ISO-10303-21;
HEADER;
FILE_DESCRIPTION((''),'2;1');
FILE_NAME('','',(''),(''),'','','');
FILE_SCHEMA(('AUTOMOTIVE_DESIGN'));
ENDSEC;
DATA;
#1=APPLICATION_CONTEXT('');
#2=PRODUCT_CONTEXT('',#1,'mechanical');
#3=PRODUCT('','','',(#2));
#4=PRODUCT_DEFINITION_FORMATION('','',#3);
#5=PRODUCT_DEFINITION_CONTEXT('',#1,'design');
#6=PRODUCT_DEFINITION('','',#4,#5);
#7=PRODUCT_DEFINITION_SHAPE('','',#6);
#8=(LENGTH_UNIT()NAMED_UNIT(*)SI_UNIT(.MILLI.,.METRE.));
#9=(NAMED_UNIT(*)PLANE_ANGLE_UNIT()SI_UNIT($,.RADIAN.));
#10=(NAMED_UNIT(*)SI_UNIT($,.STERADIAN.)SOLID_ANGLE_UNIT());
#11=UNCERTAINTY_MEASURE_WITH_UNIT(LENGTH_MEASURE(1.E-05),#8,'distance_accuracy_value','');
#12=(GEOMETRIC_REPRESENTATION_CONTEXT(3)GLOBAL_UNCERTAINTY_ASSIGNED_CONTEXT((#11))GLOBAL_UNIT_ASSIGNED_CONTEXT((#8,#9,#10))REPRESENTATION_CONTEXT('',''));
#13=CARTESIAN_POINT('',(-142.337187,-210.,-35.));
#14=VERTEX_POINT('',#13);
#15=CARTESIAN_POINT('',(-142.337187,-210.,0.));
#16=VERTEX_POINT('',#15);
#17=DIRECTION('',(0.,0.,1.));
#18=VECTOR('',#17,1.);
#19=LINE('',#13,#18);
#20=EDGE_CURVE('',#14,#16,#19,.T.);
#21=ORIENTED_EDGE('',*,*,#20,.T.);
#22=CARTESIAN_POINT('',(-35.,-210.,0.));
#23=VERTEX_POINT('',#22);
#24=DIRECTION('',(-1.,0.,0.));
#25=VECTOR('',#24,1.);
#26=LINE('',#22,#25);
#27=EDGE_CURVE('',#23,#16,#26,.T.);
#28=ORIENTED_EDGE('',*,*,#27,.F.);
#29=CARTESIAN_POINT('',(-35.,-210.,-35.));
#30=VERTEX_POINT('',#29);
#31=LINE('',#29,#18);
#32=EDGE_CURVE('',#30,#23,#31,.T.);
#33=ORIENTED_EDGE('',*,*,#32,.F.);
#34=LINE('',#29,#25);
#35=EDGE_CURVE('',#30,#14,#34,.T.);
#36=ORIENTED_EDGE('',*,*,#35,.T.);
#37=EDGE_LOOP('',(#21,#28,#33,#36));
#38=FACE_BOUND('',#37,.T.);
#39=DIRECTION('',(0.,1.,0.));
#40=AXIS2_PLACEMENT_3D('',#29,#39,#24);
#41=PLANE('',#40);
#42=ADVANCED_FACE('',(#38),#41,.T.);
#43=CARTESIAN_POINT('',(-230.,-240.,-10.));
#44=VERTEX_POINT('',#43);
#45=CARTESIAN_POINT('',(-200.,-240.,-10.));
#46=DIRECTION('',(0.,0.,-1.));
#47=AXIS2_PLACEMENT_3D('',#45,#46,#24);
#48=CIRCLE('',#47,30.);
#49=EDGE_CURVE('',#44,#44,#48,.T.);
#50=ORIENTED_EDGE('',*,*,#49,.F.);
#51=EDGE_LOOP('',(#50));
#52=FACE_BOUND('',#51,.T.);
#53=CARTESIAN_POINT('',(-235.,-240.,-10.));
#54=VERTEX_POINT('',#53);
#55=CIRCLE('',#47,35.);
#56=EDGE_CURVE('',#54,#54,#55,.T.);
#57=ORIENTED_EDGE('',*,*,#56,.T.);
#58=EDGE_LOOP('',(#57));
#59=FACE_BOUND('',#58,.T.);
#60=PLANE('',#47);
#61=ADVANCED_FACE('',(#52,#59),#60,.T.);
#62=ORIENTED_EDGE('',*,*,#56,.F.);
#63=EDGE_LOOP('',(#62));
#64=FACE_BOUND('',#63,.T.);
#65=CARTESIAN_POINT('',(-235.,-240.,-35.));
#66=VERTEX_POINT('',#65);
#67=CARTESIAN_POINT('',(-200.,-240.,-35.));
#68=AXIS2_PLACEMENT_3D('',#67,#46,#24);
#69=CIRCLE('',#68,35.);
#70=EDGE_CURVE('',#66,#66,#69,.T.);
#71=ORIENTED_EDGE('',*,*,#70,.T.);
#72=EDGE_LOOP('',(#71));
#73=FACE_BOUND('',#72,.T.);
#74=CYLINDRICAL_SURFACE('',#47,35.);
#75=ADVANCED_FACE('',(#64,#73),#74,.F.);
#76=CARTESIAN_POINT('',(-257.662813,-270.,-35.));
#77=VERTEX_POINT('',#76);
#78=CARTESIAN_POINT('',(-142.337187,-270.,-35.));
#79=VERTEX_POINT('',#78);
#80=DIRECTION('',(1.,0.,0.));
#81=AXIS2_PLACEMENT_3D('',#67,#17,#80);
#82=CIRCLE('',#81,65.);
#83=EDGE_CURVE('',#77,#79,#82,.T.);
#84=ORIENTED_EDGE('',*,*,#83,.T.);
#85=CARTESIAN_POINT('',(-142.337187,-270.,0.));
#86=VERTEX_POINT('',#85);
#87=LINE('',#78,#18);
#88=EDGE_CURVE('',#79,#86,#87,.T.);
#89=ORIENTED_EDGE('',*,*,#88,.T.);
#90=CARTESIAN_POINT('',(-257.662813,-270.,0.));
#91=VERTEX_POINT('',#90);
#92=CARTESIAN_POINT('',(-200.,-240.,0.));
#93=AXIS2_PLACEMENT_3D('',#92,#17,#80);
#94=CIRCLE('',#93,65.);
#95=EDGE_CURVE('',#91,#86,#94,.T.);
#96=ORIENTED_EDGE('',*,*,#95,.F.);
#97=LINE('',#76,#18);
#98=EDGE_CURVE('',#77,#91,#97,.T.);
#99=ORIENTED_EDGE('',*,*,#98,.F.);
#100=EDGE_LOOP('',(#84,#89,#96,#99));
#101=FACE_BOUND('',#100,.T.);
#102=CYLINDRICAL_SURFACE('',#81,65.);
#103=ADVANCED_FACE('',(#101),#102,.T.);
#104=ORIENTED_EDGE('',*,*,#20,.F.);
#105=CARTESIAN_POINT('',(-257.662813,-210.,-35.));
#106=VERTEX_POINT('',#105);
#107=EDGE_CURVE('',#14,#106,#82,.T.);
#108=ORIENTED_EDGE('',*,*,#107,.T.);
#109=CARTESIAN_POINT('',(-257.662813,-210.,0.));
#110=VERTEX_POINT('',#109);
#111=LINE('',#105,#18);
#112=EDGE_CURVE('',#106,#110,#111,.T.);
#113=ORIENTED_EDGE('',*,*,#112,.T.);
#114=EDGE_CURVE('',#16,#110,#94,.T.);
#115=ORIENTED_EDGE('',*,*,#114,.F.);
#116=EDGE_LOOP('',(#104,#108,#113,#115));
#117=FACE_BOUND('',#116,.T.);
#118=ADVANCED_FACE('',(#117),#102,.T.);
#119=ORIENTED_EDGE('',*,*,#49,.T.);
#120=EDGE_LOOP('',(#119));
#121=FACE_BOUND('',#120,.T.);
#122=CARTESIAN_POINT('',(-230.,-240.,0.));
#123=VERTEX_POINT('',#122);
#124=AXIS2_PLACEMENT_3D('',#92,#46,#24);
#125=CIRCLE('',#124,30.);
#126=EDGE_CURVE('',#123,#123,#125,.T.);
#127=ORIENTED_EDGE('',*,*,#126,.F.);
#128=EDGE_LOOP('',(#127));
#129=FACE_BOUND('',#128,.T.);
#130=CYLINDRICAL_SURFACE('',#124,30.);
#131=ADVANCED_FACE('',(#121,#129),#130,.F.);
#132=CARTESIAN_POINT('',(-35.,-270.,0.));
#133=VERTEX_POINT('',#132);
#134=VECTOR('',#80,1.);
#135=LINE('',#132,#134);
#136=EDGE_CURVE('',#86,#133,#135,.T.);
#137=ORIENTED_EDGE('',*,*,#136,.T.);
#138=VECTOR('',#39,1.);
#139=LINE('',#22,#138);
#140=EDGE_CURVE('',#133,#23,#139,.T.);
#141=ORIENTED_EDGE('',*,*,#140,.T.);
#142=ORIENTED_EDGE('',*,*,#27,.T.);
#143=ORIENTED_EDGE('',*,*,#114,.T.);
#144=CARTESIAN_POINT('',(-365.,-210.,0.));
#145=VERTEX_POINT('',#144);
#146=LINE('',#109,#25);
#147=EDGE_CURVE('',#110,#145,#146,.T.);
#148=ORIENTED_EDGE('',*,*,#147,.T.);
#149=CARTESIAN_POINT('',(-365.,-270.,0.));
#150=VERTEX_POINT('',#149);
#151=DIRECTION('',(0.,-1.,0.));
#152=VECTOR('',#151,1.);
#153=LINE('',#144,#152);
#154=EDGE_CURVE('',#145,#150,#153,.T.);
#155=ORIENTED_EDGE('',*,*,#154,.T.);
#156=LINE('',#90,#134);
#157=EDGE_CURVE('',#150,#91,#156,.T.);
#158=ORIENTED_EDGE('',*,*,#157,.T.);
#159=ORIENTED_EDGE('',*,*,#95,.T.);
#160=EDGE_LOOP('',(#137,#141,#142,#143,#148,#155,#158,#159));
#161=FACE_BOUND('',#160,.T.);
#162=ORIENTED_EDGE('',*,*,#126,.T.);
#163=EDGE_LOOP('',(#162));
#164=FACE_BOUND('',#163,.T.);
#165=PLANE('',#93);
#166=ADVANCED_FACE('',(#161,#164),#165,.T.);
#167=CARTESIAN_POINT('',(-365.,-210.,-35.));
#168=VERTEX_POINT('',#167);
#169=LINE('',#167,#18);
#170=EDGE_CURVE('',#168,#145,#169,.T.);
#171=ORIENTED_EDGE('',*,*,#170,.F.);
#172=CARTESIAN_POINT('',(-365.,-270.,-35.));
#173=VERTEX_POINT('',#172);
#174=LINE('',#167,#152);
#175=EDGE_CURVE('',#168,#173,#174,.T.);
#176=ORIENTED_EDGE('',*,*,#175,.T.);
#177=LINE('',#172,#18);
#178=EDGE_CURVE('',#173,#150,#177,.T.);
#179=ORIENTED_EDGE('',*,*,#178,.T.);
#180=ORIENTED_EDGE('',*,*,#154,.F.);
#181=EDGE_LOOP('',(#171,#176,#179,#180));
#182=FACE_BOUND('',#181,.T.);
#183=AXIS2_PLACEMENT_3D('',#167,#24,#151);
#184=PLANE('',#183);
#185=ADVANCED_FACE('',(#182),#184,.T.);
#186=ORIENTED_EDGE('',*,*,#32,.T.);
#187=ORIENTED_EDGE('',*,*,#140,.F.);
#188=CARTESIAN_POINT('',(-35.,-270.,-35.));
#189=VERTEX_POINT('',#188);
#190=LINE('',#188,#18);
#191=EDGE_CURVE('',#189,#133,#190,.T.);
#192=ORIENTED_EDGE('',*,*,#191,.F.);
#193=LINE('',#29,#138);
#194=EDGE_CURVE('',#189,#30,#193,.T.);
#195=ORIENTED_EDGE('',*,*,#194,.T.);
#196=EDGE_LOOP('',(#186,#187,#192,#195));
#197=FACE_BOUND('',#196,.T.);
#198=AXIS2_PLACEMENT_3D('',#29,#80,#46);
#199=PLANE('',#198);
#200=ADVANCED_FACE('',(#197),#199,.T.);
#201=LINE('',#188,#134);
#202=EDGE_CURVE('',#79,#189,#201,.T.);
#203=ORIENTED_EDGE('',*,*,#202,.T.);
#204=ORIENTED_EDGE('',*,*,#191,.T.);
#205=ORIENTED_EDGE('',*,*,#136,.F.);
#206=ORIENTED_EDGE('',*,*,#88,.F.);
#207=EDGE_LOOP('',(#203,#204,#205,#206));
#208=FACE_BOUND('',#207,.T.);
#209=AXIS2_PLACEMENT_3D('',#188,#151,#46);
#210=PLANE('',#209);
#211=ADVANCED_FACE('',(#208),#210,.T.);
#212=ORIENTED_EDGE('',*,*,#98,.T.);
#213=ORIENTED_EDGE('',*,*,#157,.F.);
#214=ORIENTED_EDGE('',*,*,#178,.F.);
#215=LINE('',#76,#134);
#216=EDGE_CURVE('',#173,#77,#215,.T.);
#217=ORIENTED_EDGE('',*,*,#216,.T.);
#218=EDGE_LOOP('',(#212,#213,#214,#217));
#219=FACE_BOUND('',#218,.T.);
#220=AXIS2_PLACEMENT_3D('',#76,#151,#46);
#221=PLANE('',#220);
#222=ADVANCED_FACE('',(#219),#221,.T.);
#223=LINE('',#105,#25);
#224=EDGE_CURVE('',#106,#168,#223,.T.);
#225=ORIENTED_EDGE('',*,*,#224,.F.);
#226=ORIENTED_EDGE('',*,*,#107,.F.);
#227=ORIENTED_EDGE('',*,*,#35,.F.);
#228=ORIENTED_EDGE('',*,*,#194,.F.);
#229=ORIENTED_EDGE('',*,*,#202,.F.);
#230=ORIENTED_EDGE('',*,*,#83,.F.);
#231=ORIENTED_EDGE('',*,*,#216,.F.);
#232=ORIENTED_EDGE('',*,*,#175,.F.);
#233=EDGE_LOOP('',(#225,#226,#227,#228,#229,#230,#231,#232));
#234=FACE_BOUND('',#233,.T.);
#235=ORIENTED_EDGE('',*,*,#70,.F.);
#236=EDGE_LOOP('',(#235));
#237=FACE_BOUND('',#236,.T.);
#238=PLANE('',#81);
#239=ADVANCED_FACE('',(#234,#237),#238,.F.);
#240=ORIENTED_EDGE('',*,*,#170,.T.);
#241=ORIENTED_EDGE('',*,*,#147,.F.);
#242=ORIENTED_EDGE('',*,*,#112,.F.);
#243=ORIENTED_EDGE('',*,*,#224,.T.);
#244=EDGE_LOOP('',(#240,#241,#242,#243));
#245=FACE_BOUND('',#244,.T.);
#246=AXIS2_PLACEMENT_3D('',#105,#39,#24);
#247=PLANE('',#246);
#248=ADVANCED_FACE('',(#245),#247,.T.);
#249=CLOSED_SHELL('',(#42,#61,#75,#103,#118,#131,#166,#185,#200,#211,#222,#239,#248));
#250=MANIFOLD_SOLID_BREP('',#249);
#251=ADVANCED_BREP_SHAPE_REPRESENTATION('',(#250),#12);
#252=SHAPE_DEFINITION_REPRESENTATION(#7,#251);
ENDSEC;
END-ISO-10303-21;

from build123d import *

# Parameters (mm, degrees)
RESSALTO_EXTRUS_O1_DEPTH = 35
ESBO_O2_R                = 35
CORTE_EXTRUS_O1_DEPTH    = 25
ESBO_O3_R                = 30
CORTE_EXTRUS_O2_DEPTH    = 477.313972081


with BuildPart() as part:
    # Esboço1 → Ressalto-extrusão1 (new body)
    with BuildSketch(Plane.XY):
        with BuildLine():
            Line((-257.662812973, -210), (-365, -210))
            Line((-365, -210), (-365, -270))
            Line((-365, -270), (-257.662812973, -270))
            ThreePointArc((-257.662812973, -270), (-200, -305), (-142.337187027, -270))
            Line((-142.337187027, -270), (-35, -270))
            Line((-35, -270), (-35, -210))
            Line((-35, -210), (-142.337187027, -210))
            ThreePointArc((-142.337187027, -210), (-200, -175), (-257.662812973, -210))
        make_face()
    extrude(amount=-RESSALTO_EXTRUS_O1_DEPTH)

    # Esboço2 → Corte-extrusão1 (cut)
    with BuildSketch(Plane(origin=(0, 0, -35), x_dir=(-1, 0, 0), z_dir=(0, 0, -1))):
        with Locations((200, -240)):
            Circle(ESBO_O2_R)
    extrude(amount=-CORTE_EXTRUS_O1_DEPTH, mode=Mode.SUBTRACT)

    # Esboço3 → Corte-extrusão2 (cut, through all)
    with BuildSketch(Plane(origin=(0, 0, -10), x_dir=(-1, 0, 0), z_dir=(0, 0, -1))):
        with Locations((200, -240)):
            Circle(ESBO_O3_R)
    extrude(amount=-CORTE_EXTRUS_O2_DEPTH, mode=Mode.SUBTRACT)


solid = part.part
